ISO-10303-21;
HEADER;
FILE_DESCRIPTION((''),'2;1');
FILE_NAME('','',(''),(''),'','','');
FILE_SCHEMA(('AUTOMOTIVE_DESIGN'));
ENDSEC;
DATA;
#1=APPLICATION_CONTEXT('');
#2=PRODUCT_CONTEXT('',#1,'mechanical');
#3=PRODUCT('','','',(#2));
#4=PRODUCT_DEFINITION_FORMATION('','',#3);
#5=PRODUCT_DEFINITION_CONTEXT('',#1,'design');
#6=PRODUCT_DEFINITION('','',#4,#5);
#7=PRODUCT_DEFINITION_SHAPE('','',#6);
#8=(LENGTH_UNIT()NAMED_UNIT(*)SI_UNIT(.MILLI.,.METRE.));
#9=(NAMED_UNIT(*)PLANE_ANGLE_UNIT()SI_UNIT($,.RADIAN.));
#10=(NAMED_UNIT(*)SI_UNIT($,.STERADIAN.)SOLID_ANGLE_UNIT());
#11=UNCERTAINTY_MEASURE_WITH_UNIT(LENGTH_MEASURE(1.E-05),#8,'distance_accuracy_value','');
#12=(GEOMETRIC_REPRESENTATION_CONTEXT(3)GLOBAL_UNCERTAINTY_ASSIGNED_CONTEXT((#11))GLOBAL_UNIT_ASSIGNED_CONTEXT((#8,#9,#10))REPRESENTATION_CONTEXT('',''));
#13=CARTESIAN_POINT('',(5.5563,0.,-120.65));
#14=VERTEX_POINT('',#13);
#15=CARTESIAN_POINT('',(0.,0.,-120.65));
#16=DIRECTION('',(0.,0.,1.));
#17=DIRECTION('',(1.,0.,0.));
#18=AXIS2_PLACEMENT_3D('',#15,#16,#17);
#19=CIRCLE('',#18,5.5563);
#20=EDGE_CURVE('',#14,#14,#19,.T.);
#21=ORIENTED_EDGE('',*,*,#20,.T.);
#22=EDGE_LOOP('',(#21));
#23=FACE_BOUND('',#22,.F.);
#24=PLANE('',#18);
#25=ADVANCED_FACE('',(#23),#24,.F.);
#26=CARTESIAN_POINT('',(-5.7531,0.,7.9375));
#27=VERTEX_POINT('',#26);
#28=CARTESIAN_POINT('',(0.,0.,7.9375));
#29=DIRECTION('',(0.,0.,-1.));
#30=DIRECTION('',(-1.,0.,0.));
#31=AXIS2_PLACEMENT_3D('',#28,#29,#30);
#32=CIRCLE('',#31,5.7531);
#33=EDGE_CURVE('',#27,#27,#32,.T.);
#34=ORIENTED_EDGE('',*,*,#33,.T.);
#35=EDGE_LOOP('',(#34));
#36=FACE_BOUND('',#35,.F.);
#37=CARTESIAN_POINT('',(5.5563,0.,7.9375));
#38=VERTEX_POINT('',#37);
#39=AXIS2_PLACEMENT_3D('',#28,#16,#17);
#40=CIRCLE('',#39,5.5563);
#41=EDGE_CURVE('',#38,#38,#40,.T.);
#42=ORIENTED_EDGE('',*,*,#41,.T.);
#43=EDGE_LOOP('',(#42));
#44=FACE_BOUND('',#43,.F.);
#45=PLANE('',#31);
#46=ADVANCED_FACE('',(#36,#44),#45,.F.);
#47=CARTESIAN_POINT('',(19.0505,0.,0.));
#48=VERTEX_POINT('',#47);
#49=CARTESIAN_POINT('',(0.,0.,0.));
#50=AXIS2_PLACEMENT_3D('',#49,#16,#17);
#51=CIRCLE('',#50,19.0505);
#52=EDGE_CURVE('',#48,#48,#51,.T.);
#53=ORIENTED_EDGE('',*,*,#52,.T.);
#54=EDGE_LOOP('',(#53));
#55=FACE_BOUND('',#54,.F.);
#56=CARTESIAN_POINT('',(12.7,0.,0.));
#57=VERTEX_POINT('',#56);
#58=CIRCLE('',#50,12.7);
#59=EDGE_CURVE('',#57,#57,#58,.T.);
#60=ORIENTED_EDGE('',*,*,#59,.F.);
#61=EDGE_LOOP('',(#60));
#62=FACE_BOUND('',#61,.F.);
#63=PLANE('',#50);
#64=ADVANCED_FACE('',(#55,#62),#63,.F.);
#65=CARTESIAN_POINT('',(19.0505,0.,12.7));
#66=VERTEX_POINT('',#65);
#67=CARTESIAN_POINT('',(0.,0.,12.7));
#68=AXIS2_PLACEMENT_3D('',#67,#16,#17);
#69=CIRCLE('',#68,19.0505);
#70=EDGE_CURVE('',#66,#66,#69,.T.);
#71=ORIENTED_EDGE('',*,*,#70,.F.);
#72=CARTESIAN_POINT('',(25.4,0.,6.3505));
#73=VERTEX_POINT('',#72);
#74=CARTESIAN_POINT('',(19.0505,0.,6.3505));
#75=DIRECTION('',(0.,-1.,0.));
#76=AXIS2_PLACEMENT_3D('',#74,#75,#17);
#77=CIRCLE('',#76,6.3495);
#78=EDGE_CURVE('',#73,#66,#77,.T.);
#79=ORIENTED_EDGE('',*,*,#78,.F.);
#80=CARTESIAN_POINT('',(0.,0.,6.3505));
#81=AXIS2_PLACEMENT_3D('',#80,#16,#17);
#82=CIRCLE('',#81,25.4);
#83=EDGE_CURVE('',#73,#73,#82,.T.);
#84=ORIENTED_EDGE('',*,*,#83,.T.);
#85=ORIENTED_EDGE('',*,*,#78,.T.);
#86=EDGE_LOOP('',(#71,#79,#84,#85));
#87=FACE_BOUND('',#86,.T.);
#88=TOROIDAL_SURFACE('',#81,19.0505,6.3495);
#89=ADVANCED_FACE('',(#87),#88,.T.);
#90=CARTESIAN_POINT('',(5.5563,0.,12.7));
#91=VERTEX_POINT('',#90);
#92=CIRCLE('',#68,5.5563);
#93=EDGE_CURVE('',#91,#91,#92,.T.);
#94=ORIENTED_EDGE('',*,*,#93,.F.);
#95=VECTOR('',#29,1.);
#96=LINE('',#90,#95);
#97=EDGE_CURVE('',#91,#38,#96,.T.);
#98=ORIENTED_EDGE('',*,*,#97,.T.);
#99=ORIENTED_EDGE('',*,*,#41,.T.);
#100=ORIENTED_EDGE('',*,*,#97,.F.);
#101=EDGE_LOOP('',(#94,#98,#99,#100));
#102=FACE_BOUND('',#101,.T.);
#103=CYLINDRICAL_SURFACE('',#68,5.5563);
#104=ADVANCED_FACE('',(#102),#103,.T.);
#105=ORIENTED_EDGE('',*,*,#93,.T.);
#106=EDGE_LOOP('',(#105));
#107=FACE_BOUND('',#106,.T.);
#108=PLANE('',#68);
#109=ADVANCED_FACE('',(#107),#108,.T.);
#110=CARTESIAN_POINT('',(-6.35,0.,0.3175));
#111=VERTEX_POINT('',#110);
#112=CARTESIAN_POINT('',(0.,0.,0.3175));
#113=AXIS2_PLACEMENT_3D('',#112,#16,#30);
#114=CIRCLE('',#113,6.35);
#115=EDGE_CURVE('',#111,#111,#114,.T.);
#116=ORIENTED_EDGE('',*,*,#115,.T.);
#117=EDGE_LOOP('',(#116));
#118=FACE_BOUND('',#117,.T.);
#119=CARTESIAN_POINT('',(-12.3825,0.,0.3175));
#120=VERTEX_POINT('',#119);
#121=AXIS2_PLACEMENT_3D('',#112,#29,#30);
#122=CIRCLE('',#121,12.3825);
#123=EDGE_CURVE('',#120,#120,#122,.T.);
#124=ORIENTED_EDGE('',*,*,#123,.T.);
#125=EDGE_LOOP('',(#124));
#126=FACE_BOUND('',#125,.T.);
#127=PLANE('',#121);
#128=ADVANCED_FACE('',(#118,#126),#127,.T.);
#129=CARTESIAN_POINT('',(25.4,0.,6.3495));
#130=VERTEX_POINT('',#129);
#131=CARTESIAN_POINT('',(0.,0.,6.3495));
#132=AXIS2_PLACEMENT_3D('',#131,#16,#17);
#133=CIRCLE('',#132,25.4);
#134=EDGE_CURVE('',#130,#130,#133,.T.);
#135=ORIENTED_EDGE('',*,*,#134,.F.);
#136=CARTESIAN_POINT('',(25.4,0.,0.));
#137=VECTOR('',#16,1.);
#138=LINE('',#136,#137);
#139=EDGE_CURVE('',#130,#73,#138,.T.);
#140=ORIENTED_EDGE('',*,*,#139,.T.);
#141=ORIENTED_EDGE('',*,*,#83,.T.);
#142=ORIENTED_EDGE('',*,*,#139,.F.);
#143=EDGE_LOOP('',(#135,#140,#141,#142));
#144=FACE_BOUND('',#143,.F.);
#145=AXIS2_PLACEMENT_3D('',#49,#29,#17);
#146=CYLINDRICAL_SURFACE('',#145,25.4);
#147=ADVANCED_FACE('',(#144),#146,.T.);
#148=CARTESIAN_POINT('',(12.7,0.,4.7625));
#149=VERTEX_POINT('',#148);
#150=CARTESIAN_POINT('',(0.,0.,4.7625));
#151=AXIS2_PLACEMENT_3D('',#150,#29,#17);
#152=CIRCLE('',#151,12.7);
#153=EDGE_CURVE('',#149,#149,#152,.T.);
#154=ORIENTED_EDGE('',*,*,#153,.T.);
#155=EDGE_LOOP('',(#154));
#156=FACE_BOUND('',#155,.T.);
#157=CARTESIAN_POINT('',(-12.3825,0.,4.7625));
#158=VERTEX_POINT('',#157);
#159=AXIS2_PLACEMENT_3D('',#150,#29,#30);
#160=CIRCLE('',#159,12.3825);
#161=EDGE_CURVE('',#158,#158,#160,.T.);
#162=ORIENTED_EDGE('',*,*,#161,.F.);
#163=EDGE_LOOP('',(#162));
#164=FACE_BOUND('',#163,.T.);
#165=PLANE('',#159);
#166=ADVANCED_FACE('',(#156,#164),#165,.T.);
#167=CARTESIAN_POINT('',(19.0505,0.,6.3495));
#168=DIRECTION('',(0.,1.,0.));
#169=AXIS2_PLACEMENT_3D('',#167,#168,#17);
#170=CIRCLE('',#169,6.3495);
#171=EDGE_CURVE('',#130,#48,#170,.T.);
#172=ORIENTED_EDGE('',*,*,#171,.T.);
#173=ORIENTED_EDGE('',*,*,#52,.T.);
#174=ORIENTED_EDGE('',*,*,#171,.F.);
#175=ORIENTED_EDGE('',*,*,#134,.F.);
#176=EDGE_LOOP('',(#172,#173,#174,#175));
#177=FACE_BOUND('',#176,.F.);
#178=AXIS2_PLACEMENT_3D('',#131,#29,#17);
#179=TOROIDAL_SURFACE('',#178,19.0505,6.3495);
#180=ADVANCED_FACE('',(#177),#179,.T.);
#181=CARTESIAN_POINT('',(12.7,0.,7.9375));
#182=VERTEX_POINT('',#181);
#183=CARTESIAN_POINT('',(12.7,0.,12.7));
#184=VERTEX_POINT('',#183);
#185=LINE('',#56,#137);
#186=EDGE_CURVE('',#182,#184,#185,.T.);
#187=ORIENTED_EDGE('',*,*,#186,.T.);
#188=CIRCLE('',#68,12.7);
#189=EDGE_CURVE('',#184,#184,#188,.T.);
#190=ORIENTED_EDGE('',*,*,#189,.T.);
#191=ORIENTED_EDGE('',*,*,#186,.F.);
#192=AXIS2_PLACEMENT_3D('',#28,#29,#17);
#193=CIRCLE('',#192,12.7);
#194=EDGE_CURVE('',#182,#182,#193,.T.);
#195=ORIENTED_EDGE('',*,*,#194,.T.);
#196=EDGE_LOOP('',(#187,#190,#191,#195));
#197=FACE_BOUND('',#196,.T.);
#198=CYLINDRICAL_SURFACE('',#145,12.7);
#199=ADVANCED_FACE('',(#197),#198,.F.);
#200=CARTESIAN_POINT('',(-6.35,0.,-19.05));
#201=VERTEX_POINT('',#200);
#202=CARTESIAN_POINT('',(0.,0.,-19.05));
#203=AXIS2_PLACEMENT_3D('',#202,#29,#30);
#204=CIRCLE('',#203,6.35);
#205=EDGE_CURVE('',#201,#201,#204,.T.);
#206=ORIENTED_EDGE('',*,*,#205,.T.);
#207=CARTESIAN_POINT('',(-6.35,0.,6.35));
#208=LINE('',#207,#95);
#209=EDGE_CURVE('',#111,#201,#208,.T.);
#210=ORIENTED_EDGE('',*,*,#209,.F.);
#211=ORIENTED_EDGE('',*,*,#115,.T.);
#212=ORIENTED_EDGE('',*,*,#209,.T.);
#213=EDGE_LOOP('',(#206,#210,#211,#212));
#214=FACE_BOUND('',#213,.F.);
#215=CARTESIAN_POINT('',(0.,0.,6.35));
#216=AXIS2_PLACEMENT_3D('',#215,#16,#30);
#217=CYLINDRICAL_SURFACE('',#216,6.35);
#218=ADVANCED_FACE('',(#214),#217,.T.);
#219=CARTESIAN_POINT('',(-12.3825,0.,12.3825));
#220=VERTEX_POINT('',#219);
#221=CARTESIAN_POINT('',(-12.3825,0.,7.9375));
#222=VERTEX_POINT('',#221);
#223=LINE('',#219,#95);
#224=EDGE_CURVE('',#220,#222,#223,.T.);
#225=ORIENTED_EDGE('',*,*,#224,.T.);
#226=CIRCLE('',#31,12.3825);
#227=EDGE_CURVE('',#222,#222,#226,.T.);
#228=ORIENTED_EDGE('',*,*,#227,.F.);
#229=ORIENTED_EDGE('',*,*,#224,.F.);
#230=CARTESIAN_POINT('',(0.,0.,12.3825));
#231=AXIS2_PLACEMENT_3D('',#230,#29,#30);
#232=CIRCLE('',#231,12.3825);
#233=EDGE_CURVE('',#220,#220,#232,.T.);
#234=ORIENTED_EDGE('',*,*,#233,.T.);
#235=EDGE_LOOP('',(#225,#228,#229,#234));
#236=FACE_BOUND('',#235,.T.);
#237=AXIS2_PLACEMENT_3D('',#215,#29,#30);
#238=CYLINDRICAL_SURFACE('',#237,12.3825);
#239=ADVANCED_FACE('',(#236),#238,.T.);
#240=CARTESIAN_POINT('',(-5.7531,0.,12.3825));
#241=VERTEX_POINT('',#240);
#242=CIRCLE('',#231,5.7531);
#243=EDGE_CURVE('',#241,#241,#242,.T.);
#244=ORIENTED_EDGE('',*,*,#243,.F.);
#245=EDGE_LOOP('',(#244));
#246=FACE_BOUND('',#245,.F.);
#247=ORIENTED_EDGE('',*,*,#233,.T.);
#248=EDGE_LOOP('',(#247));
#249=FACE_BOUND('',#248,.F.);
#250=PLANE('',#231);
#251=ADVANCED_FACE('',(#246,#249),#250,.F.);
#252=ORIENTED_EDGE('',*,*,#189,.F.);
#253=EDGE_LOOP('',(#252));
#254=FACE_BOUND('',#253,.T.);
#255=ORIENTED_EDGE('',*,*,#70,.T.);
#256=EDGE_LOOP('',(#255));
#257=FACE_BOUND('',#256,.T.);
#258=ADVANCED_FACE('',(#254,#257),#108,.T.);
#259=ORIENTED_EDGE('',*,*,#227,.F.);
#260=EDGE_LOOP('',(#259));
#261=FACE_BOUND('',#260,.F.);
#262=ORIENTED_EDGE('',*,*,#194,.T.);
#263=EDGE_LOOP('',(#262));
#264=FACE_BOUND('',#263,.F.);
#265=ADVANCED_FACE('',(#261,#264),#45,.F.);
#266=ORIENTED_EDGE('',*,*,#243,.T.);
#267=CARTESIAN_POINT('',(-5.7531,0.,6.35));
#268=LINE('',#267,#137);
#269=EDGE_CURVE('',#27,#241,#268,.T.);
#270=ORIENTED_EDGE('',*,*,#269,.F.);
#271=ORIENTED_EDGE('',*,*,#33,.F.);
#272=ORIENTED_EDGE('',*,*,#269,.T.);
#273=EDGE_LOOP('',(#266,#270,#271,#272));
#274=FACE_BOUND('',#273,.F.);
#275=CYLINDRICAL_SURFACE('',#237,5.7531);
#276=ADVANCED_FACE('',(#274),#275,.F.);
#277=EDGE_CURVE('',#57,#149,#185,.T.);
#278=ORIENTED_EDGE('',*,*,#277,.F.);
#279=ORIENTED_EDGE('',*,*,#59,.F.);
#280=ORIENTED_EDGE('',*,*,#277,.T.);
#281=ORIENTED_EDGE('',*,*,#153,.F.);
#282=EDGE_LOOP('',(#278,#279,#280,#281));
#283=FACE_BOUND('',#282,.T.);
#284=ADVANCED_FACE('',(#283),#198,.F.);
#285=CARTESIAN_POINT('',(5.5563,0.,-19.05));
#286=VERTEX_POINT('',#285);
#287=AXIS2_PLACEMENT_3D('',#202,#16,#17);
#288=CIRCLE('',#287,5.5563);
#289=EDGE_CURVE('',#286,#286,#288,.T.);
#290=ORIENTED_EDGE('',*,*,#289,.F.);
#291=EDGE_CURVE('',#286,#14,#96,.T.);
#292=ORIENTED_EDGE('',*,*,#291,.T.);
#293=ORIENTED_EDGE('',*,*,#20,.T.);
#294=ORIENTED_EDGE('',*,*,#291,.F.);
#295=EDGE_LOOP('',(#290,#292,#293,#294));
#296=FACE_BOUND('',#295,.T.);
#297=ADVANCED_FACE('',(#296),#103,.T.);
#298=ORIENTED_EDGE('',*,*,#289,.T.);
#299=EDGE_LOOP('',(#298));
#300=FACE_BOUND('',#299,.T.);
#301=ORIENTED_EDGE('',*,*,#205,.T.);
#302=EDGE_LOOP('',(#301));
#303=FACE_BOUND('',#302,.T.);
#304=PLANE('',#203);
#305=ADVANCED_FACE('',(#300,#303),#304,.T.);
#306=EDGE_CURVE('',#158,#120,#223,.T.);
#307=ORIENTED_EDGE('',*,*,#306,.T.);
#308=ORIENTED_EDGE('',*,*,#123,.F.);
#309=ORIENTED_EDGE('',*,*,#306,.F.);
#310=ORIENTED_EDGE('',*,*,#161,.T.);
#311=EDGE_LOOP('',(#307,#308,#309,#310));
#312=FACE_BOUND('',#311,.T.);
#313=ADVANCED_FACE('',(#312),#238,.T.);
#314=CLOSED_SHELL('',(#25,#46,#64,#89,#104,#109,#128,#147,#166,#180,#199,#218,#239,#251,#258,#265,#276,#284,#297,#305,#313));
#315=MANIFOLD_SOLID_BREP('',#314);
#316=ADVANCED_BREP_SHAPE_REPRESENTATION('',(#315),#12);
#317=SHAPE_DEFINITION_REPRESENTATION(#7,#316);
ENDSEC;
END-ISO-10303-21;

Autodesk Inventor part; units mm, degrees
ref_plane "YZ Plane" through (0, 0, 0) normal (1, 0, 0) x (0, 1, 0)
ref_plane "XZ Plane" through (0, 0, 0) normal (0, 1, 0) x (-1, 0, 0)
sketch "Sketch1" plane through (0, 0, 0) normal (0, 0, 1) x (1, 0, 0)
  circle A0 centre (0, 0) radius 25.4
  circle A1 centre (0, 0) radius 12.7
  dimension "d0" = 50.8
  dimension "d1" = 25.4
extrude "Extrusion1" add sketch "Sketch1" along normal blind 12.7
fillet "Fillet1" radius 6.35 2 edges at (-25.4, 0, 12.7) (-25.4, 0, 0)
sketch "Sketch2" plane through (0, 0, 12.7) normal (0, 0, 1) x (1, 0, 0)
  circle A0 centre (0, 0) radius 12.7 projected
  circle A1 centre (0, 0) radius 19.05 projected
  circle A2 centre (0, 0) radius 5.5563
  dimension "d5" = 11.1125
extrude "Extrusion2" add sketch "Sketch2" against normal blind 133.35 contours A2
ref_plane "Work Plane1" through (0, 0, 6.35) normal (0, 0, -1) x (-1, 0, 0)
sketch "Sketch3" plane through (0, 0, 6.35) normal (0, 0, -1) x (-1, 0, 0)
  circle A0 centre (0, 0) radius 12.3825
  circle A1 centre (0, 0) radius 5.7531
  dimension "d8" = 24.765
  dimension "d9" = 11.5062
extrude "Extrusion3" add sketch "Sketch3" along normal mid plane 12.065
sketch "Sketch4" plane through (0, 0, 6.35) normal (0, 0, -1) x (-1, 0, 0)
  circle A0 centre (0, 0) radius 6.35
  dimension "d12" = 12.7
extrude "Extrusion4" add sketch "Sketch4" along normal blind 25.4
sketch "Sketch5" plane through (0, 0, 6.35) normal (0, 0, -1) x (-1, 0, 0)
  circle A0 centre (0, 0) radius 19.05
  dimension "d15" = 38.1
extrude "Extrusion5" add sketch "Sketch5" along normal mid plane 3.175
properties part number "2in roller" material "Steel, Alloy"
